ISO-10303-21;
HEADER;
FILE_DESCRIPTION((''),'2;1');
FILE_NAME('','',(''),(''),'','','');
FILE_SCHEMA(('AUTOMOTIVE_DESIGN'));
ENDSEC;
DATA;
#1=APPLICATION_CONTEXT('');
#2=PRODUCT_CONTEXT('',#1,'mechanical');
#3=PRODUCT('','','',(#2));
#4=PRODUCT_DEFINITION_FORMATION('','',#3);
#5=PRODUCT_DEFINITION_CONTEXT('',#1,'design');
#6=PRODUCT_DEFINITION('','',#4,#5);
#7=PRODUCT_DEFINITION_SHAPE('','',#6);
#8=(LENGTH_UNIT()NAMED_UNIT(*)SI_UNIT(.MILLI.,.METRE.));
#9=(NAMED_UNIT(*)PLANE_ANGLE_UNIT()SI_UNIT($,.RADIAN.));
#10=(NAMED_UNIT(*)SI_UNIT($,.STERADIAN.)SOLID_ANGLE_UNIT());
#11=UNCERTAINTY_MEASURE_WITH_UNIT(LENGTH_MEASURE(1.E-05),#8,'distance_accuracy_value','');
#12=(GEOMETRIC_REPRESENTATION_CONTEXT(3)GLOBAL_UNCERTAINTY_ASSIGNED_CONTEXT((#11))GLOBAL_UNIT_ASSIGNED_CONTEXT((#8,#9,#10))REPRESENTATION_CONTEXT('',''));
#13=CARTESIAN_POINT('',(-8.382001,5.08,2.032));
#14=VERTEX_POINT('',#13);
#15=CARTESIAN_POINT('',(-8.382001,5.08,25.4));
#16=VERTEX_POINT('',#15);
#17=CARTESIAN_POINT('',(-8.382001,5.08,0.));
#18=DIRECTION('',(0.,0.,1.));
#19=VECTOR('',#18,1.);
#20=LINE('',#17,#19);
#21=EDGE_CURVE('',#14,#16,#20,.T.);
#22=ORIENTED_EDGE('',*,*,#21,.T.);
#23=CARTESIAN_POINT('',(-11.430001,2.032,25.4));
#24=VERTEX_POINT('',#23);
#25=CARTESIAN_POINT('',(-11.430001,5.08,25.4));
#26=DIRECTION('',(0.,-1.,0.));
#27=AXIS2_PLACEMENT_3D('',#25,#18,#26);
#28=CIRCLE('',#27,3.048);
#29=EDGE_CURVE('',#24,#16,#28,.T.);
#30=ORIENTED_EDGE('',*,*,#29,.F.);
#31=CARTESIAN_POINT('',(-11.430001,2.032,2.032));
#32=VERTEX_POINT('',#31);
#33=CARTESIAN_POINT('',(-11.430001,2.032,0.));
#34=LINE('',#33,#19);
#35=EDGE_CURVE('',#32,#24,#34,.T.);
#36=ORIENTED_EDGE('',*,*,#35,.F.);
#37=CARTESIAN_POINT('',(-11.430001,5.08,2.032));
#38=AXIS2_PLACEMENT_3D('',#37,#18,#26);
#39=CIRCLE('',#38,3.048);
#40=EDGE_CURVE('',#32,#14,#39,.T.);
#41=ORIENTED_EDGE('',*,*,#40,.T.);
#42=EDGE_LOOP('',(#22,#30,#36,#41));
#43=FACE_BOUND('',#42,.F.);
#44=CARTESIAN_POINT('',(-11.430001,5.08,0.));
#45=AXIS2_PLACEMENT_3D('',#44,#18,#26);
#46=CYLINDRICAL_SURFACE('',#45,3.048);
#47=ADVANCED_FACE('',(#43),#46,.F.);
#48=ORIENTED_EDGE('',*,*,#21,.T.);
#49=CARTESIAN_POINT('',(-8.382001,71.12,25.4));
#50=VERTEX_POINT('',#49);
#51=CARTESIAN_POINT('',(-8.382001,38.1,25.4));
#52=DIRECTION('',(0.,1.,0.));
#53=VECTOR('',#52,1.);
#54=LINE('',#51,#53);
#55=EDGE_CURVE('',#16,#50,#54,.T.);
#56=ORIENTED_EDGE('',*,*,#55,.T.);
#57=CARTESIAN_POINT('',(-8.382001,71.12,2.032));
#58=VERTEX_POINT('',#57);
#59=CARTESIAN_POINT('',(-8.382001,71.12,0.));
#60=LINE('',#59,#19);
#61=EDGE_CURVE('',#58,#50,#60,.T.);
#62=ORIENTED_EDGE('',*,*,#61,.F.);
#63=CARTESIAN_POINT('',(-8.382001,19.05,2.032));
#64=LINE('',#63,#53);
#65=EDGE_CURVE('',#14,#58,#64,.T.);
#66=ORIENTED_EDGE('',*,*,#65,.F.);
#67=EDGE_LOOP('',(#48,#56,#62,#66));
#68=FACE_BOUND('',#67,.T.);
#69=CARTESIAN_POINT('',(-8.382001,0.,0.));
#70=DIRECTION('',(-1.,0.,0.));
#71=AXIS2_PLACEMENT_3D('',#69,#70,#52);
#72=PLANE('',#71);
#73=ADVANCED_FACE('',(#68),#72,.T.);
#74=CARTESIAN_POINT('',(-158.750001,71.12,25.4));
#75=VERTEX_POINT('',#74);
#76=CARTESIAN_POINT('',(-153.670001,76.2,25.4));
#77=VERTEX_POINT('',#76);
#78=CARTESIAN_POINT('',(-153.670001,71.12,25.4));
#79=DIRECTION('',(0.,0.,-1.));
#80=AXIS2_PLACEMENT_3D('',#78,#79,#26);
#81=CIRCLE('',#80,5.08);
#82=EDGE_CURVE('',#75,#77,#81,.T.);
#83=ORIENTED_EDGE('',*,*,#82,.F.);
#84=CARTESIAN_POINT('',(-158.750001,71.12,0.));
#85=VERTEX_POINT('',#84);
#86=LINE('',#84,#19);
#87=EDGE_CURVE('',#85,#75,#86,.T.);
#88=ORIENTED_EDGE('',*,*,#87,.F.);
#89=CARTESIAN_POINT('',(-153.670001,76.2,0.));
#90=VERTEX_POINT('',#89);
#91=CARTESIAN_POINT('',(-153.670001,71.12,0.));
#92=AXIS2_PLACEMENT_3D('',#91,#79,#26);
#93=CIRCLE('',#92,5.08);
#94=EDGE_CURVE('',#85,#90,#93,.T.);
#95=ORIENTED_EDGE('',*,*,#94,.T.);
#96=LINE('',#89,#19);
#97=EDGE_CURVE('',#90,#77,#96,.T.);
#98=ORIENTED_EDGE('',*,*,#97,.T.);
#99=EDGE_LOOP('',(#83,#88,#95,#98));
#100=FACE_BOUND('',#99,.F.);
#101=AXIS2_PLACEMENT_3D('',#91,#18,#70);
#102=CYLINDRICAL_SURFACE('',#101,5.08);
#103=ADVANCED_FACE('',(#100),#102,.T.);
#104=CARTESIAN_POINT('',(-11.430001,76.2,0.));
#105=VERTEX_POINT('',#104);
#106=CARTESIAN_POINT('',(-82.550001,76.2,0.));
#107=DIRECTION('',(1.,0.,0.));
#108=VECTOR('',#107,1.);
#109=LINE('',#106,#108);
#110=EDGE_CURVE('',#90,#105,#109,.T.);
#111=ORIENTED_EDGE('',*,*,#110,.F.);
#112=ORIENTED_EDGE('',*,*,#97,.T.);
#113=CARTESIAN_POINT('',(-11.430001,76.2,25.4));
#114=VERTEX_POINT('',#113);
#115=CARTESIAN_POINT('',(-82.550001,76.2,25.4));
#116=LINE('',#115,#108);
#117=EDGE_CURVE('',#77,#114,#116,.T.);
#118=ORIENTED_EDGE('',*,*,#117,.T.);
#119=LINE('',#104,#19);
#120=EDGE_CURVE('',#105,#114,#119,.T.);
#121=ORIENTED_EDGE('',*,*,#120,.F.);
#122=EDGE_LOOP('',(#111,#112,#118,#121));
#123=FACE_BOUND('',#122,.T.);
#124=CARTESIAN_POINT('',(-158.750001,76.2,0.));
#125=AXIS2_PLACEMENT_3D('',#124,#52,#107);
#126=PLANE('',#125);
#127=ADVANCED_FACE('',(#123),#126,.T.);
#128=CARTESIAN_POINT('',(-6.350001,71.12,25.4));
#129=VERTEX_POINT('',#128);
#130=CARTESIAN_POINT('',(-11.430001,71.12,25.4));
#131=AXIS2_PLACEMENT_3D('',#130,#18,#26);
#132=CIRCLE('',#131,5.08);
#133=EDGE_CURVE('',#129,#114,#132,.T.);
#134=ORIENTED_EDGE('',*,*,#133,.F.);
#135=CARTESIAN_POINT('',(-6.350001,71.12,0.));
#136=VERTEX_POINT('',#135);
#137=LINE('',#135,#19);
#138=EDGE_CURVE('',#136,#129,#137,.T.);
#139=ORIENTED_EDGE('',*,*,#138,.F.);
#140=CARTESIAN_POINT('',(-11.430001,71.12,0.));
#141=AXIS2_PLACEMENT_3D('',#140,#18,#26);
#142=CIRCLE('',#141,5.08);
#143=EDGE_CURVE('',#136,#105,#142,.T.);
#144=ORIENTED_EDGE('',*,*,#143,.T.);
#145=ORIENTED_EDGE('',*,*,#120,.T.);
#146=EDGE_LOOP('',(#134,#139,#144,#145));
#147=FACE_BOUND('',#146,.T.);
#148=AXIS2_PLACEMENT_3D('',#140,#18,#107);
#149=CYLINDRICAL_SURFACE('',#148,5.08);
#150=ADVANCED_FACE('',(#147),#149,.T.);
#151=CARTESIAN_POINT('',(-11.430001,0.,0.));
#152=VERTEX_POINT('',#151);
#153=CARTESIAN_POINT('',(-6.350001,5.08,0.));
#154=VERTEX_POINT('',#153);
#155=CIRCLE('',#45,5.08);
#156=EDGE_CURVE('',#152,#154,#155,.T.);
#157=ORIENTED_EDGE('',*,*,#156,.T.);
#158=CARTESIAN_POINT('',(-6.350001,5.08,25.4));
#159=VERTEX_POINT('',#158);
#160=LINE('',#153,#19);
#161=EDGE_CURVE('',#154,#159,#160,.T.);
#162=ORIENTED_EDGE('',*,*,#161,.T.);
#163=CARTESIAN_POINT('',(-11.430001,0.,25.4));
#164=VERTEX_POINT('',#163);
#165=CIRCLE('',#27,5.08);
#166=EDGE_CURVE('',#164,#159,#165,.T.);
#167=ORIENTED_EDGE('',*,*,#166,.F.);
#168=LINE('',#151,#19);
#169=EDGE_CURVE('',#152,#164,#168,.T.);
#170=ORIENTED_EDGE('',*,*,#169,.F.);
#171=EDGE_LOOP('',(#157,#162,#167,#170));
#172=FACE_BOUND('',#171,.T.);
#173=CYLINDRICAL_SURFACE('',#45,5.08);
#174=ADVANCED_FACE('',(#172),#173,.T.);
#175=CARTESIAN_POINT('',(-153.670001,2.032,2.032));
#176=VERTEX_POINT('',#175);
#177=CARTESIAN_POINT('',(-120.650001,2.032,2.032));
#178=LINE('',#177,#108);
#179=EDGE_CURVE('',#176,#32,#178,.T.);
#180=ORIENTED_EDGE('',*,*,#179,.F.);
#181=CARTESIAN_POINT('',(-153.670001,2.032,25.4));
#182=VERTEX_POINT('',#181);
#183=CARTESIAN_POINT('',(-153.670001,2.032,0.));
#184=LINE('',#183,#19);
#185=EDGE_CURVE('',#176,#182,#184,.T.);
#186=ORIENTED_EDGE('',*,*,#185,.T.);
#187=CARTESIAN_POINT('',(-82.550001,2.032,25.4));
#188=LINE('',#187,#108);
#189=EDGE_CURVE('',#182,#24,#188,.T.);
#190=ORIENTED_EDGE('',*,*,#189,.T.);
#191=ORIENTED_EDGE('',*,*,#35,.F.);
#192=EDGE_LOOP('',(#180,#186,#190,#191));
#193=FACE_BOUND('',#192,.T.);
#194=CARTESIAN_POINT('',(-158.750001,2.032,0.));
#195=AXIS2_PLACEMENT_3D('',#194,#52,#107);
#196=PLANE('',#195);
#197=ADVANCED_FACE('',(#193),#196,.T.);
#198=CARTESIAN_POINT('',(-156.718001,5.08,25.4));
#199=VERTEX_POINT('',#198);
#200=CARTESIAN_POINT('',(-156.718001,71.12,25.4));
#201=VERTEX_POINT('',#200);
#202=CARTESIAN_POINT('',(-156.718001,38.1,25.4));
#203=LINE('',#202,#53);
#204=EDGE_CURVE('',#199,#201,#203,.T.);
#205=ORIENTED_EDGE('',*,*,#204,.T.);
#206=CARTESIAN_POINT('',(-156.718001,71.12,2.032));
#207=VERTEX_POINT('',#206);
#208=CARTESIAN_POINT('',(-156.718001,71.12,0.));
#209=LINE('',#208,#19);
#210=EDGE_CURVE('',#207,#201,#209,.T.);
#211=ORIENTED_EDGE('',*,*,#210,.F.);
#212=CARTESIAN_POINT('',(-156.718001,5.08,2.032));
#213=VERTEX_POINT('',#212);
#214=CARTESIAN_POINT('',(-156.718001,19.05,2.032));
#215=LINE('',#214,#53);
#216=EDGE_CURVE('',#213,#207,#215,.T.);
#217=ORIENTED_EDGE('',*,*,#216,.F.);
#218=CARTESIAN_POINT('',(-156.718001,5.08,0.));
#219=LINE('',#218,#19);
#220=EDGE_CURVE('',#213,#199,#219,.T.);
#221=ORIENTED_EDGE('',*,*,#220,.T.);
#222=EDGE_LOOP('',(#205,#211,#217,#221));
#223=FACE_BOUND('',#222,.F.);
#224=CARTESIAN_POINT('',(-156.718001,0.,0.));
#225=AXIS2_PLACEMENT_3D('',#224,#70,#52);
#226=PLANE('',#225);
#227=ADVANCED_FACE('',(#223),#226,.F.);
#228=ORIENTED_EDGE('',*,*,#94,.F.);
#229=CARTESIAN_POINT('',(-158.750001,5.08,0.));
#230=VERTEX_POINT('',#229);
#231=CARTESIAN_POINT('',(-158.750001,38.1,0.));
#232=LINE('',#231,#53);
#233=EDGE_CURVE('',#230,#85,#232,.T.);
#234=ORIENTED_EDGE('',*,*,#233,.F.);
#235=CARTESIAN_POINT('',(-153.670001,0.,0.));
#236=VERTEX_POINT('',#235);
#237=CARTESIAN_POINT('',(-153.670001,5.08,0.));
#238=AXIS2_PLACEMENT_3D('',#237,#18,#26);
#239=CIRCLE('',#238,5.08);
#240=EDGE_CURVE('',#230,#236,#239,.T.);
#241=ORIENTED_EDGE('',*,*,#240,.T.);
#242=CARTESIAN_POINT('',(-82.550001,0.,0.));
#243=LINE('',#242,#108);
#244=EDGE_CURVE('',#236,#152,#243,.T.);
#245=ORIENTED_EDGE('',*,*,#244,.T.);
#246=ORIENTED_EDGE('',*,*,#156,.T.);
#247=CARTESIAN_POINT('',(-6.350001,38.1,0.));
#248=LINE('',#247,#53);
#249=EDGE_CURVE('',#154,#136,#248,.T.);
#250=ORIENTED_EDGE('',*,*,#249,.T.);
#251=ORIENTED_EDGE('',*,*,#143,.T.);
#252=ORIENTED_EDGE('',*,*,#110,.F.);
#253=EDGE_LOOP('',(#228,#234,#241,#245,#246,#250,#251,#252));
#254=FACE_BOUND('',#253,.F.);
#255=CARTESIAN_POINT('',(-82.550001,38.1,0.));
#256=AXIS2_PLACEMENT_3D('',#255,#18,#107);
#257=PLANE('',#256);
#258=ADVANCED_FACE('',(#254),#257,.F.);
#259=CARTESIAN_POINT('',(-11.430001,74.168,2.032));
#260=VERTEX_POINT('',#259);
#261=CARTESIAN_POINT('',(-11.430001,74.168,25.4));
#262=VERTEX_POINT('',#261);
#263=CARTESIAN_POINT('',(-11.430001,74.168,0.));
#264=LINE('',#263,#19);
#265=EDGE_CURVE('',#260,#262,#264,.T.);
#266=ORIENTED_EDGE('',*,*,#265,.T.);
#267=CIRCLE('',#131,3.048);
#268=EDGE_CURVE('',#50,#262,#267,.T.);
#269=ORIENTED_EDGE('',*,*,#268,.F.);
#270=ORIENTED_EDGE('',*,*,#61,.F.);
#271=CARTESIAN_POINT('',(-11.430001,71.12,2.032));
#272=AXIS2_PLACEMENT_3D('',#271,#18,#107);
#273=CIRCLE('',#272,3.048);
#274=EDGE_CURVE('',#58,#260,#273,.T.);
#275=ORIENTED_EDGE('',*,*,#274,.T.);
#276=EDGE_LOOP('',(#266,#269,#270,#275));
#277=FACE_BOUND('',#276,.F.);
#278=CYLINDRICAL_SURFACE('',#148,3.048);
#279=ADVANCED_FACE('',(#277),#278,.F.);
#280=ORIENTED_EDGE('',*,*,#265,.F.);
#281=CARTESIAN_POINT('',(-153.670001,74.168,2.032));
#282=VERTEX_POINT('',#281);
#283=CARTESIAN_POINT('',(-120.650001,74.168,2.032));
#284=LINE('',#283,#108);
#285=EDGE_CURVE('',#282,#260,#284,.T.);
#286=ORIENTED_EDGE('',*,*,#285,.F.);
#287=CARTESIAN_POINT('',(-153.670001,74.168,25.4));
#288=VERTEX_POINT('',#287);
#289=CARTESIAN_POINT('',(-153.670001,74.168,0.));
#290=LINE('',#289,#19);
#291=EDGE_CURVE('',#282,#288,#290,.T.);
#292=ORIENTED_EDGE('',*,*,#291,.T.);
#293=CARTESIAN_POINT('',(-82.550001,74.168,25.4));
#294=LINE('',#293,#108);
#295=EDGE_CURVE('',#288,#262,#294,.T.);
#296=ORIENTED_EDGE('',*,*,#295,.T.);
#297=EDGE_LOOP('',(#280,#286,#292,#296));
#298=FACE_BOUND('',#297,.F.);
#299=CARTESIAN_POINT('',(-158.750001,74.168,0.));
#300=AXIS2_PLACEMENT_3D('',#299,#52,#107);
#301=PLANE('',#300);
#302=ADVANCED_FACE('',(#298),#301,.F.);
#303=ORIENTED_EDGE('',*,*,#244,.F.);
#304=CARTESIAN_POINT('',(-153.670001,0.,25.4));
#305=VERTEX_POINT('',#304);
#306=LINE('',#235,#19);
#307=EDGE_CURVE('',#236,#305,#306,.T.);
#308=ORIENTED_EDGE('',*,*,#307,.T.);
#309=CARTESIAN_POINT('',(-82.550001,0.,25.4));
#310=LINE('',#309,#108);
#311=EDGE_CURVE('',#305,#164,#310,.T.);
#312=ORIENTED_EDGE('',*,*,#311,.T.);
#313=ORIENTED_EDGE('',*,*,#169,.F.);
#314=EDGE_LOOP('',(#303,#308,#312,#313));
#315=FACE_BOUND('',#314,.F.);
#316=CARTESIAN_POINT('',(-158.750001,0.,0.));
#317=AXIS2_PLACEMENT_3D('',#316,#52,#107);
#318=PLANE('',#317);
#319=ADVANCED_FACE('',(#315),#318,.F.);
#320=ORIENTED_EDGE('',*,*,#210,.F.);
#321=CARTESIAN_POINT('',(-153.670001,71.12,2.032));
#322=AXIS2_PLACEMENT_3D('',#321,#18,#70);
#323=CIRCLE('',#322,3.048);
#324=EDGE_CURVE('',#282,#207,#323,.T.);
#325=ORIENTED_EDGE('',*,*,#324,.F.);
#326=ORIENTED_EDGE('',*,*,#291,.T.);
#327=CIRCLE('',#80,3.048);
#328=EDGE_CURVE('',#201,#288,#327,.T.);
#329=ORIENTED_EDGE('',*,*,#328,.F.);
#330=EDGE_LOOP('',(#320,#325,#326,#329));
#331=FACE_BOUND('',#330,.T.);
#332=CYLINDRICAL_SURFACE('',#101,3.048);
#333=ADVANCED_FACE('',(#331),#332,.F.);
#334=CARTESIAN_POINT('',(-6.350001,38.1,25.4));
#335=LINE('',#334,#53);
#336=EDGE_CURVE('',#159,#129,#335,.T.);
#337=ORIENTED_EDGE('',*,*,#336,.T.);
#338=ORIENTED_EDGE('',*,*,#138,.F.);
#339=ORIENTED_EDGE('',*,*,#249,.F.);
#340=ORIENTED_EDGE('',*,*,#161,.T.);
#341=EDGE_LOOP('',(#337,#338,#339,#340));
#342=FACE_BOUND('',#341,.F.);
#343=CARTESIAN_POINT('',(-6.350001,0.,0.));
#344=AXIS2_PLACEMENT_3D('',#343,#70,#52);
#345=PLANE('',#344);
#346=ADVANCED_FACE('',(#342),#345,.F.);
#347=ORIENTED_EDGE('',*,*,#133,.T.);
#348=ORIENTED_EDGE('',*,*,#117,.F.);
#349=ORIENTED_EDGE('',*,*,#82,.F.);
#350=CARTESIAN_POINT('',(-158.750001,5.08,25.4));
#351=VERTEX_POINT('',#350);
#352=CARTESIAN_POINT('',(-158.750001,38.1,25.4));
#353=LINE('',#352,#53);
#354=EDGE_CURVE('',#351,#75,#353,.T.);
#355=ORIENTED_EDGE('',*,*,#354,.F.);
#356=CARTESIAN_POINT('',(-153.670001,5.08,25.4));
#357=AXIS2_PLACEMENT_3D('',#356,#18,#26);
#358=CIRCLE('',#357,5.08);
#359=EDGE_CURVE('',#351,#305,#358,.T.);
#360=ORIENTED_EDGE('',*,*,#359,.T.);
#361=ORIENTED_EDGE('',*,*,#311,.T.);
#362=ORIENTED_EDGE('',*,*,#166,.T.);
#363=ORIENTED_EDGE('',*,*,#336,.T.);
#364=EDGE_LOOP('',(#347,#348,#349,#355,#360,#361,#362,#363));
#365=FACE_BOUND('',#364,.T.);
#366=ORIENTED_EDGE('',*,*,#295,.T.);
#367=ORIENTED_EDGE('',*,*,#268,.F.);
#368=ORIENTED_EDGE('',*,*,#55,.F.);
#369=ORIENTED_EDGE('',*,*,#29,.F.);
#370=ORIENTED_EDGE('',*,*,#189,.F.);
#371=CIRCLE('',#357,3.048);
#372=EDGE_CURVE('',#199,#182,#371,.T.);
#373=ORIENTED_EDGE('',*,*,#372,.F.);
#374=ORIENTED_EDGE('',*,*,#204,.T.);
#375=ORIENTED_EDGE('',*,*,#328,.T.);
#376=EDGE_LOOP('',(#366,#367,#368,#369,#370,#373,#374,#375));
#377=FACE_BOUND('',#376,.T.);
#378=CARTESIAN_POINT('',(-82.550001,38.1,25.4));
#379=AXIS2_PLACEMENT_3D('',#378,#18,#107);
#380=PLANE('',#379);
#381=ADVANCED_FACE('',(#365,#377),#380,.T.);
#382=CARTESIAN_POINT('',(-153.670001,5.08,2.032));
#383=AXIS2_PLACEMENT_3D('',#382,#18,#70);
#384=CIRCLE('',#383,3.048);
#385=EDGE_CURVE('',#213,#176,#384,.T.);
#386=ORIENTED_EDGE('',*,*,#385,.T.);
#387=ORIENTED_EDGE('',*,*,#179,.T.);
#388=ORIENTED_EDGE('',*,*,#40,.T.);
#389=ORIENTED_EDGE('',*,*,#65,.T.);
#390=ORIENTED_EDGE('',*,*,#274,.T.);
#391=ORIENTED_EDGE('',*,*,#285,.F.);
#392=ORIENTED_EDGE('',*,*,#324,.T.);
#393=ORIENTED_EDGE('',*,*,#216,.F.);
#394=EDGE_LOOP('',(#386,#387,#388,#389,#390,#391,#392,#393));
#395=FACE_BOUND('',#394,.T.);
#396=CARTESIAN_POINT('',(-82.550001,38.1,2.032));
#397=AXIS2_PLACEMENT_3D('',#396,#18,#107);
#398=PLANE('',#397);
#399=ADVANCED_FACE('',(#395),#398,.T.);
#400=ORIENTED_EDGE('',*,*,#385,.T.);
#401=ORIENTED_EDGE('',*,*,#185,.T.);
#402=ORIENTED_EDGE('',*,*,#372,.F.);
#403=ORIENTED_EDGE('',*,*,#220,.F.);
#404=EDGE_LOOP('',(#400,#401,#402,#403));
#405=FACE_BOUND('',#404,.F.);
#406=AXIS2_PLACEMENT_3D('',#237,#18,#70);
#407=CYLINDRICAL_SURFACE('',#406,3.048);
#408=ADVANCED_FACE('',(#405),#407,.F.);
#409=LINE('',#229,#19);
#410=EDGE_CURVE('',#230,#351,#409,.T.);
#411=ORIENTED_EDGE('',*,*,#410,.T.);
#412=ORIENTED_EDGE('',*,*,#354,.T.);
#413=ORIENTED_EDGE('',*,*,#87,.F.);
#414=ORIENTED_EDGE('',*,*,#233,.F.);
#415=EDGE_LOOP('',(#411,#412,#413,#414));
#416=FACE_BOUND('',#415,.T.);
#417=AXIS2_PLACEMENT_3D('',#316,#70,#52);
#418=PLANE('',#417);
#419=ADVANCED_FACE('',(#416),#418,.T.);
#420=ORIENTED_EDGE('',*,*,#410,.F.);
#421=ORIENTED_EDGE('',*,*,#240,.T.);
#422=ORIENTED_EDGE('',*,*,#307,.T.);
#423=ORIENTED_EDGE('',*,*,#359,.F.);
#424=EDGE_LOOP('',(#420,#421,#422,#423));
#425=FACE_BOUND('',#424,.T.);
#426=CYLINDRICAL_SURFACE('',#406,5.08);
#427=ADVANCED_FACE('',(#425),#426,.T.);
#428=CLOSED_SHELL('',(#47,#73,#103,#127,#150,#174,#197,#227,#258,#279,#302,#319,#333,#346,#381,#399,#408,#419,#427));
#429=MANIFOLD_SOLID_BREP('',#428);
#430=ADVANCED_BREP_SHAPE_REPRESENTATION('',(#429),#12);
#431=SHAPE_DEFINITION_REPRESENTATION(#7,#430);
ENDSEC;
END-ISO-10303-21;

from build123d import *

# Parameters (mm, degrees)
F0_W     = 152.4
F0_H     = 76.2
F1_DEPTH = 25.4
F2_R     = 5.08
F3_T     = -2.032


with BuildPart() as f1:
    # F0 (on Top) → F1 (new body)
    with BuildSketch(Plane.XY):
        with Locations((-82.550001, 38.1)):
            Rectangle(F0_W, F0_H)
    extrude(amount=F1_DEPTH)

    # F2
    f2_edges = [f1.edges().sort_by_distance(p)[0] for p in [
        (-158.750001, 0, 12.7),
        (-6.350001, 0, 12.7),
        (-158.750001, 76.2, 12.7),
        (-6.350001, 76.2, 12.7),
    ]]
    fillet(f2_edges, radius=F2_R)

    # F3
    f3_openings = [f1.faces().sort_by_distance(p)[0] for p in [
        (-82.550001, 38.1, 25.4),
    ]]
    offset(amount=F3_T, openings=f3_openings)


solid = f1.part
